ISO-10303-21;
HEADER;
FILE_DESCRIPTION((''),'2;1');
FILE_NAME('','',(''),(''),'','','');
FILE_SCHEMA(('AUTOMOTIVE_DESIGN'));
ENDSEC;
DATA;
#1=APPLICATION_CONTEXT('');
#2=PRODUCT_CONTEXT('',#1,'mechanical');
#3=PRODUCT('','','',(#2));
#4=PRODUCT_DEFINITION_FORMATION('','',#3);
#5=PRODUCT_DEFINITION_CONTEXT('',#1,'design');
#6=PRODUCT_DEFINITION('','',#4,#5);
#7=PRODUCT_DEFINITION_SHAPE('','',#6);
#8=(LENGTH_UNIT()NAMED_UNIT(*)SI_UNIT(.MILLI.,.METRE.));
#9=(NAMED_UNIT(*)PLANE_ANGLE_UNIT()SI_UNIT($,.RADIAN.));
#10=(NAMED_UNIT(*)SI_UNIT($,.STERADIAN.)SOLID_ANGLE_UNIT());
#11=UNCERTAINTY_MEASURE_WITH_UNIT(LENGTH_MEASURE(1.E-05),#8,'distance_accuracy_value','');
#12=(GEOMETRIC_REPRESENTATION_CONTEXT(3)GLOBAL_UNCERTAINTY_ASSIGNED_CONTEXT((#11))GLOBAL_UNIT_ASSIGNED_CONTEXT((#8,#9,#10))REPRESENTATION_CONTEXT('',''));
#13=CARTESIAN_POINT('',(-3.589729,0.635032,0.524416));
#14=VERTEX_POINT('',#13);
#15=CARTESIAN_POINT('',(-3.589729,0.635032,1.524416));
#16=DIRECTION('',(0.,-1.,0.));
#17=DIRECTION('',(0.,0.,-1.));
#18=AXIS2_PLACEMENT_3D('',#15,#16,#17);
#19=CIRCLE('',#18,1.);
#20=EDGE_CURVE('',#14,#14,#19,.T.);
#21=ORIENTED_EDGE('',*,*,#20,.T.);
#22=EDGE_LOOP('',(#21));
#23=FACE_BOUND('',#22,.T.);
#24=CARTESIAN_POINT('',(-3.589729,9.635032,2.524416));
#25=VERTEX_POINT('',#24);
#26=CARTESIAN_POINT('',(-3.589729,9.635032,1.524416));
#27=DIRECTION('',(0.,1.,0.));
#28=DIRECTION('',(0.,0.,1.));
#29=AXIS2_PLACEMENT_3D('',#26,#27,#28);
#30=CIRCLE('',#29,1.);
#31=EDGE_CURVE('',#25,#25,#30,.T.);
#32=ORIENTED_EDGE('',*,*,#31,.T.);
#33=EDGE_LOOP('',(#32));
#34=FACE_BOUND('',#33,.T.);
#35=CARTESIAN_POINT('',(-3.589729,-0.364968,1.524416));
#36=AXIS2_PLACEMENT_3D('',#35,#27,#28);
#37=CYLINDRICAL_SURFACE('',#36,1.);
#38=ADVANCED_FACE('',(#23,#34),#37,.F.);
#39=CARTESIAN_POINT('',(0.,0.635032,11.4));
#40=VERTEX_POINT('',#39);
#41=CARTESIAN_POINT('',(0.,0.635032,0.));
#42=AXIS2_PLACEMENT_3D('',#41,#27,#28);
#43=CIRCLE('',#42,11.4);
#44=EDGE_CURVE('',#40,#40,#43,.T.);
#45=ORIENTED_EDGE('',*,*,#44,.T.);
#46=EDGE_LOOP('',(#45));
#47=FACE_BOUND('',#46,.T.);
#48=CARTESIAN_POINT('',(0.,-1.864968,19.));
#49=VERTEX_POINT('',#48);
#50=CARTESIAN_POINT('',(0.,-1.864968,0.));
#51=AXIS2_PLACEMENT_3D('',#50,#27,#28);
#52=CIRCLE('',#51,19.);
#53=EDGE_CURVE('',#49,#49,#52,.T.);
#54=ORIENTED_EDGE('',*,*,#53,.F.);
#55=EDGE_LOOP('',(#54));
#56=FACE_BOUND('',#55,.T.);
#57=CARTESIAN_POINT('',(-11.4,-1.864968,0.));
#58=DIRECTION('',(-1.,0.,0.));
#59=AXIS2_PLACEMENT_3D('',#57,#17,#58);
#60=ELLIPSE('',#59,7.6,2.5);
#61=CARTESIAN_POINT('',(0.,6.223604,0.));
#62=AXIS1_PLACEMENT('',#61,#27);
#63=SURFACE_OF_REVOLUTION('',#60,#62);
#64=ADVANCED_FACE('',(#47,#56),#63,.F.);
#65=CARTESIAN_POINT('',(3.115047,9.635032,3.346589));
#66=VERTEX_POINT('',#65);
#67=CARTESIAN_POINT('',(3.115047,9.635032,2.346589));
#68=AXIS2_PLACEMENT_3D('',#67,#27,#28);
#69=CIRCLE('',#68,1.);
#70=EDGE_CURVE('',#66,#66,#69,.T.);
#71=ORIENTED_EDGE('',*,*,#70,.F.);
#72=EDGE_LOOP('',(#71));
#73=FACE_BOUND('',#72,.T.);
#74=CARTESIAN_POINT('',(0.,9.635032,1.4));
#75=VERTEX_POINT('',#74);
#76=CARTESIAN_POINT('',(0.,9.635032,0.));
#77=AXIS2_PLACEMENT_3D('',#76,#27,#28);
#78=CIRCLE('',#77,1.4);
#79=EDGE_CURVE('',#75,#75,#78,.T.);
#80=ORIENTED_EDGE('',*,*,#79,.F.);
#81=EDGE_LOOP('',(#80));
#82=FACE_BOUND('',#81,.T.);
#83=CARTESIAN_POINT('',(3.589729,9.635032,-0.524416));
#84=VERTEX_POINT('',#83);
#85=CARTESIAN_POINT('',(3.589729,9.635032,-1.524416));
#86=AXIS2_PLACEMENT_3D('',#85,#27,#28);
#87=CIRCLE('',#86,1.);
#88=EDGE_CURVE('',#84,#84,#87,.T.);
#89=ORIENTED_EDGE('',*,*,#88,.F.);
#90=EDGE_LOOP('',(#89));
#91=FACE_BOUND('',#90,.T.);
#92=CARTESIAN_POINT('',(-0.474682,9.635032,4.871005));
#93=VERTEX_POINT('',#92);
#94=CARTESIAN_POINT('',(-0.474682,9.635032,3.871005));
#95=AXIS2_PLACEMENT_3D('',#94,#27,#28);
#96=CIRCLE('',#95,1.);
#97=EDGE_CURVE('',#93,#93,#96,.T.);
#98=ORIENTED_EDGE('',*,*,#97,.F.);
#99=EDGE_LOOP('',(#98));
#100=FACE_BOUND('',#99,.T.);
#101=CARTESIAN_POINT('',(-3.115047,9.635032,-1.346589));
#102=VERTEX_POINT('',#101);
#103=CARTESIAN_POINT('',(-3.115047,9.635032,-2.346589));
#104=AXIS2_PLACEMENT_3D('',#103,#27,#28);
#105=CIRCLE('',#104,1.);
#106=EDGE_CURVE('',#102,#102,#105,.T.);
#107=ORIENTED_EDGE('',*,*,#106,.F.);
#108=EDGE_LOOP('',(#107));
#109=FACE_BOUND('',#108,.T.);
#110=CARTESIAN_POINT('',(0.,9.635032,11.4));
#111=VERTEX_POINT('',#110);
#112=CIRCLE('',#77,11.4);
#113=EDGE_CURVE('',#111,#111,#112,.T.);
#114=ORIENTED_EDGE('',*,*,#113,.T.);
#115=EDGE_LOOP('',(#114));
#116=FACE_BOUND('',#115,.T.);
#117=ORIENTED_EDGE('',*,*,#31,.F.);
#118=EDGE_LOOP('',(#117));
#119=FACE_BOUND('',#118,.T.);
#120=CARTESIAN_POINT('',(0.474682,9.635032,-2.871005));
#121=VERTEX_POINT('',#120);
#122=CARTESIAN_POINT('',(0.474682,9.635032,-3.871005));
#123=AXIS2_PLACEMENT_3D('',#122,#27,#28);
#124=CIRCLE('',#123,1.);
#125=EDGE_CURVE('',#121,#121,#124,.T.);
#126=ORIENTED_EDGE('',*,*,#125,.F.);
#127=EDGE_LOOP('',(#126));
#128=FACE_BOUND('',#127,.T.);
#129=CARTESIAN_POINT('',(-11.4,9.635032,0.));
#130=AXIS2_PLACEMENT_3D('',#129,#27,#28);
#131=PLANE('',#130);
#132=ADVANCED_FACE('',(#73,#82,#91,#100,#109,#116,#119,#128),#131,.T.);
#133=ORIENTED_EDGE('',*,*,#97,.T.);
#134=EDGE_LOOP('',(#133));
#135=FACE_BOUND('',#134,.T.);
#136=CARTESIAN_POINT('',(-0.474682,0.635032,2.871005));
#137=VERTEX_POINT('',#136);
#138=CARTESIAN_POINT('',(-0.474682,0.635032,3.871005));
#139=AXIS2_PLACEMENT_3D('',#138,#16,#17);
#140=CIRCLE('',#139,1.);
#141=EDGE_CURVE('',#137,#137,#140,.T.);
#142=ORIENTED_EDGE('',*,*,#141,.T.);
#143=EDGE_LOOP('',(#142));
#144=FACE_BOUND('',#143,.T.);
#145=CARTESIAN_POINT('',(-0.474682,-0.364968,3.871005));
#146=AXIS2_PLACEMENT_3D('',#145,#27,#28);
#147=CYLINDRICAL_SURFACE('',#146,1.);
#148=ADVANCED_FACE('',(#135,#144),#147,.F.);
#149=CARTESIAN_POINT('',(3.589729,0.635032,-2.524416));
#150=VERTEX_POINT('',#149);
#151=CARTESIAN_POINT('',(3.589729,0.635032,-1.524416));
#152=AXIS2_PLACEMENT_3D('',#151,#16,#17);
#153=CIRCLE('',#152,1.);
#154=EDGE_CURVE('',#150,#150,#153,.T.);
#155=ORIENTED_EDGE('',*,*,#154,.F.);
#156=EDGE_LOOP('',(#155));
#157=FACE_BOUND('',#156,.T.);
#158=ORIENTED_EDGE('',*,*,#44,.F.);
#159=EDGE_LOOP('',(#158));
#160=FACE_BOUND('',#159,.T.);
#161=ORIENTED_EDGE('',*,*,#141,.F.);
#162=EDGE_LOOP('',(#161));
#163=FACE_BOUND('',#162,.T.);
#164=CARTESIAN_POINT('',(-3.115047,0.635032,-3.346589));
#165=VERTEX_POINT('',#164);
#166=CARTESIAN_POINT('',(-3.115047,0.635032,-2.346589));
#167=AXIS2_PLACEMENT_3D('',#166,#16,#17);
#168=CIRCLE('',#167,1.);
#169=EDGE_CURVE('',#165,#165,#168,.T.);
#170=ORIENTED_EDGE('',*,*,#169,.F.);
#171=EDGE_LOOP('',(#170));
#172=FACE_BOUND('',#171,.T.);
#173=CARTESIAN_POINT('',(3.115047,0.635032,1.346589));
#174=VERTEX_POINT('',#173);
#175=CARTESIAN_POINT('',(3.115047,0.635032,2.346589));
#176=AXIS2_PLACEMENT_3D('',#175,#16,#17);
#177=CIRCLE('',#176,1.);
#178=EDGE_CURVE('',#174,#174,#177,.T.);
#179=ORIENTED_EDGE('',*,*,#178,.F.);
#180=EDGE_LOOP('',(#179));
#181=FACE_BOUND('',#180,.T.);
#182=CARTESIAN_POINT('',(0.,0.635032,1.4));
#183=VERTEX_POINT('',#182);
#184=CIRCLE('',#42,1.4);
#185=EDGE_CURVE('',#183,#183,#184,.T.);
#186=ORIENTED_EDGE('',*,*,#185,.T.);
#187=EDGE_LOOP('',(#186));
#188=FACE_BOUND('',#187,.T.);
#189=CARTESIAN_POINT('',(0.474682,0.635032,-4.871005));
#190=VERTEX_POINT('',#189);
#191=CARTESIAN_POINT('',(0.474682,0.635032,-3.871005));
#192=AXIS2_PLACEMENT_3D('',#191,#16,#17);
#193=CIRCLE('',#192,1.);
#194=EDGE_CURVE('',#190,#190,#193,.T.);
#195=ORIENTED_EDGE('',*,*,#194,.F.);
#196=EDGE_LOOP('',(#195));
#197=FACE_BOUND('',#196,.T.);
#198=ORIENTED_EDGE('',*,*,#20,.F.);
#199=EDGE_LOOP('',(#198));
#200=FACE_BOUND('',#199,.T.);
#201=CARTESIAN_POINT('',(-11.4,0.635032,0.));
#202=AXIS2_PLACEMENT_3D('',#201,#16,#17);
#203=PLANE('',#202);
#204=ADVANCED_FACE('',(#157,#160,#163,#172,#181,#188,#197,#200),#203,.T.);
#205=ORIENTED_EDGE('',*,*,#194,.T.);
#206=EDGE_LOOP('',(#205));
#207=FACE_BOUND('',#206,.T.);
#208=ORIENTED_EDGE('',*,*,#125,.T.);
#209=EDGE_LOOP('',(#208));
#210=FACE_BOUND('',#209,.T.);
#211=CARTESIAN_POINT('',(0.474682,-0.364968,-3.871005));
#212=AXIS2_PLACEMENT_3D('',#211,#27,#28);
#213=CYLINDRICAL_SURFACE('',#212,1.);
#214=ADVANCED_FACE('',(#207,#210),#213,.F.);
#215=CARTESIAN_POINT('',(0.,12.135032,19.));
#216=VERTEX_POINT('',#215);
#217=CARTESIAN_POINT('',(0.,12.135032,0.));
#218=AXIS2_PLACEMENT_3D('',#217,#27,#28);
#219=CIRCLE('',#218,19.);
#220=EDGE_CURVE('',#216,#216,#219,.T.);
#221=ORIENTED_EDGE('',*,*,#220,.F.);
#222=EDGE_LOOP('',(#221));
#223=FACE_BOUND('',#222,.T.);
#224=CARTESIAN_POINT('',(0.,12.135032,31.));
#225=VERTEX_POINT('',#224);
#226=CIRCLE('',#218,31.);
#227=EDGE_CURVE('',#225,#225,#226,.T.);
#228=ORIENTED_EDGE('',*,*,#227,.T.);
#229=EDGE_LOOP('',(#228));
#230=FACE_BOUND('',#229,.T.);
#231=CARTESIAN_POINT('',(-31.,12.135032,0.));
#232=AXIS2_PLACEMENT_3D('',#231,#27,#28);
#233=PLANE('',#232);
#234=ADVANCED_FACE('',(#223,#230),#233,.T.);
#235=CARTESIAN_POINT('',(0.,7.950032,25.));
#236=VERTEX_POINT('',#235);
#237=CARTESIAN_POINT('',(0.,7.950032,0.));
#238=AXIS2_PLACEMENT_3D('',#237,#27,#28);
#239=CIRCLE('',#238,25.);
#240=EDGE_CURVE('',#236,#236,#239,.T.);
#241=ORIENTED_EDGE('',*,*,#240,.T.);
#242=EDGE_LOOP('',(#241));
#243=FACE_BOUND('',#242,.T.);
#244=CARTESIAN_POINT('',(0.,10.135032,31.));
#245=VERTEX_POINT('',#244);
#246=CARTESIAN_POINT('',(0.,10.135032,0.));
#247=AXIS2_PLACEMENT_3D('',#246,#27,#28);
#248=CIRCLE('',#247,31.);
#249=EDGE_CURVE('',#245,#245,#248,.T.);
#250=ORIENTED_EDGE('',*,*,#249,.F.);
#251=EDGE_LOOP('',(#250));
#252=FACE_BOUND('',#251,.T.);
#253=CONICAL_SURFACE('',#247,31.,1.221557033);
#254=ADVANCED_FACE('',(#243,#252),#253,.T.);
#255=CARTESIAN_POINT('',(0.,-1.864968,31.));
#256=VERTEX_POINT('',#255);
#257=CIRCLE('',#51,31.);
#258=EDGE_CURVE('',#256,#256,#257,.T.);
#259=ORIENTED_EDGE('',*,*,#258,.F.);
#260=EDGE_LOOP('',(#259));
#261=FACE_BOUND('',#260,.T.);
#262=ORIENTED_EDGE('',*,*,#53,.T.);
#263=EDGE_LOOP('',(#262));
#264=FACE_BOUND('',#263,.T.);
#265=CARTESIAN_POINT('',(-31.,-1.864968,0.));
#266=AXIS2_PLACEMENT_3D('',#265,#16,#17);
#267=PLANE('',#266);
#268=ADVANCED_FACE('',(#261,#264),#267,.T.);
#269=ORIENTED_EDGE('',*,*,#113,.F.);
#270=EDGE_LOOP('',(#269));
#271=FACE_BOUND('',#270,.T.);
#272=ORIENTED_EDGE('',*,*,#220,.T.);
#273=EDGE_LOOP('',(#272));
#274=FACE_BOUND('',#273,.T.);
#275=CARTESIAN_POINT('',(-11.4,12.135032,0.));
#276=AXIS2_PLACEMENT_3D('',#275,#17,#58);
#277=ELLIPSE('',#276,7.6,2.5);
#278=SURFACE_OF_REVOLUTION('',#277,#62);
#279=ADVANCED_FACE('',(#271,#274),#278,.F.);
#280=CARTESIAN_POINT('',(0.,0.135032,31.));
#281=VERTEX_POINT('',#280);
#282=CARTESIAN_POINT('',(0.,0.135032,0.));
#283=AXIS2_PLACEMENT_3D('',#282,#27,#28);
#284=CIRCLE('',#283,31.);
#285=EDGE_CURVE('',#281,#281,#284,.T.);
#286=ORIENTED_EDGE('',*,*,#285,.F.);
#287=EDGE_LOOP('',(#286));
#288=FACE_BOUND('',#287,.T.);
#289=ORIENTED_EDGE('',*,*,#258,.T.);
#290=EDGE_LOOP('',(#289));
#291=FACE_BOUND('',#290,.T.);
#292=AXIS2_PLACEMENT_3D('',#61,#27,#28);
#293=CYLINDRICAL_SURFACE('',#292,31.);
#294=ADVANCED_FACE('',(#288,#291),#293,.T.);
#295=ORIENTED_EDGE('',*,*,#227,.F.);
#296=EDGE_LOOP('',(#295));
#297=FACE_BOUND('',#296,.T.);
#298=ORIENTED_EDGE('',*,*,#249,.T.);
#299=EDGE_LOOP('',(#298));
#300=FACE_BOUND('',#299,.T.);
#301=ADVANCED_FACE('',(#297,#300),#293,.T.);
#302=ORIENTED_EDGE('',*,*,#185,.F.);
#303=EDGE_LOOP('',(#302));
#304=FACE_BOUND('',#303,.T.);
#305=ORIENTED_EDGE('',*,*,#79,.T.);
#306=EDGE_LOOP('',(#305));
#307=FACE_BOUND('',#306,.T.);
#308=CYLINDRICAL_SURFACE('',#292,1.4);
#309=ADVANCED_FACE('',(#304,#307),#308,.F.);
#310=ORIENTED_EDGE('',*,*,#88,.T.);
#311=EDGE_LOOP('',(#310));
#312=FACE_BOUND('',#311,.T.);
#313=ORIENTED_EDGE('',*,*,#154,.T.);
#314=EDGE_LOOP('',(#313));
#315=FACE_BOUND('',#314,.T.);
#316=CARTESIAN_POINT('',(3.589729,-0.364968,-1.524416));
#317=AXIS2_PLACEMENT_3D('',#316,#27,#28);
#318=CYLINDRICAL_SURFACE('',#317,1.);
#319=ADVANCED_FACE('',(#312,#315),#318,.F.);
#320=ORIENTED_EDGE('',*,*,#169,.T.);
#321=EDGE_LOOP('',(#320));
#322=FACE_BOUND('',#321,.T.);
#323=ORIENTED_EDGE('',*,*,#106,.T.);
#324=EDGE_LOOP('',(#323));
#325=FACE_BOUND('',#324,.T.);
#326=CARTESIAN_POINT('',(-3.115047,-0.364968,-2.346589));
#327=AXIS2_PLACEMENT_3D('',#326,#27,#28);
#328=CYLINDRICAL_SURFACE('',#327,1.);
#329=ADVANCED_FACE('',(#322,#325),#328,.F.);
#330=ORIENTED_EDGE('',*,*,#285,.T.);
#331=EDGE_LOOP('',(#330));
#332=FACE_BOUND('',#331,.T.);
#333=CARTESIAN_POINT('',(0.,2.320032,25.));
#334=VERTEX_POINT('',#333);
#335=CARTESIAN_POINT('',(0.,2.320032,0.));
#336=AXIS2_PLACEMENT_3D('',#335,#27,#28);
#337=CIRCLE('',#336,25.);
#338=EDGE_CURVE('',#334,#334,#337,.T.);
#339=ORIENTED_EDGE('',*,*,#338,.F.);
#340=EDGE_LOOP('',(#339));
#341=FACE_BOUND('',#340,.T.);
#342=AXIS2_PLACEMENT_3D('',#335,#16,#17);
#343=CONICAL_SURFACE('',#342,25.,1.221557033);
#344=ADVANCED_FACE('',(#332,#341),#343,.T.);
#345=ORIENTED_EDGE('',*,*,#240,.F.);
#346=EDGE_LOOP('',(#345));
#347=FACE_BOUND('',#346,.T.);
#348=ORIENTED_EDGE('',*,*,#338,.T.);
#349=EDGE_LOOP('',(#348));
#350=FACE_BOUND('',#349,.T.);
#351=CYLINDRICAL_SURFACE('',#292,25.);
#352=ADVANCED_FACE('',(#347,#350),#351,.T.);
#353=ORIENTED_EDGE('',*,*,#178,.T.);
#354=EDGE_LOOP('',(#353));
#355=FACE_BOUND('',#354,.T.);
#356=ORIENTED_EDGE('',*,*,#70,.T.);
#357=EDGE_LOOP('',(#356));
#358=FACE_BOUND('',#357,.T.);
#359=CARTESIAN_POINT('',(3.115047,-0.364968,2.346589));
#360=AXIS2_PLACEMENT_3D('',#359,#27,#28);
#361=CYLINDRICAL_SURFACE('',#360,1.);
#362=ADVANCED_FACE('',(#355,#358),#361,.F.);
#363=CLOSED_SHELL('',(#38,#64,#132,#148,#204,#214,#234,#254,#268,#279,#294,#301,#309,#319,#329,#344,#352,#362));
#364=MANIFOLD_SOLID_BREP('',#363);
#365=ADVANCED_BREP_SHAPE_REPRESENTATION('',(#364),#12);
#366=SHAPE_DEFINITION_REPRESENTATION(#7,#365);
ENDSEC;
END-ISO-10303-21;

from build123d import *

# Parameters (mm, degrees)
SKETCH3_R          = 1
CUT_EXTRUDE1_DEPTH = 10


with BuildPart() as part:
    # Sketch2 → Revolve1 (revolve)
    with BuildSketch(Plane.XY, mode=Mode.PRIVATE) as revolve1_sk:
        with BuildLine():
            Line((-1.4, 9.635032461), (-1.4, 0.635032461))
            Line((-1.4, 0.635032461), (-11.4, 0.635032461))
            add(Edge.make_bspline(
                [(-11.4, 0.635032461), (-19, 0.635032461), (-19, -1.864967539)],
                knots=[4.71238898, 4.71238898, 4.71238898, 6.283185307, 6.283185307, 6.283185307], degree=2, weights=[1, 0.707106781, 1]))
            Line((-19, -1.864967539), (-31, -1.864967539))
            Line((-31, -1.864967539), (-31, 0.135032461))
            Line((-31, 0.135032461), (-25, 2.320032461))
            Line((-25, 2.320032461), (-25, 7.950032461))
            Line((-25, 7.950032461), (-31, 10.135032461))
            Line((-31, 10.135032461), (-31, 12.135032461))
            Line((-31, 12.135032461), (-19, 12.135032461))
            add(Edge.make_bspline(
                [(-19, 12.135032461), (-19, 9.635032461), (-11.4, 9.635032461)],
                knots=[0, 0, 0, 1.570796327, 1.570796327, 1.570796327], degree=2, weights=[1, 0.707106781, 1]))
            Line((-11.4, 9.635032461), (-1.4, 9.635032461))
        make_face()
    revolve(revolve1_sk.sketch.rotate(Axis((0, 6.223604304, 0), (0, -1, 0)), 270), axis=Axis((0, 6.223604304, 0), (0, -1, 0)))

    # Sketch3 → Cut-Extrude1 (cut)
    with BuildSketch(Plane(origin=(0, 9.635032461, 0), x_dir=(1, 0, 0), z_dir=(0, 1, 0))):
        with Locations(Location((-3.115047488, 2.346588832, 0), (0, 0, 270))):
            Circle(SKETCH3_R)
        with Locations(Location((0.474681797, 3.871004675, 0), (0, 0, 270))):
            Circle(SKETCH3_R)
        with Locations(Location((3.589729285, 1.524415842, 0), (0, 0, 270))):
            Circle(SKETCH3_R)
        with Locations(Location((3.115047488, -2.346588832, 0), (0, 0, 270))):
            Circle(SKETCH3_R)
        with Locations(Location((-0.474681797, -3.871004675, 0), (0, 0, 270))):
            Circle(SKETCH3_R)
        with Locations(Location((-3.589729285, -1.524415842, 0), (0, 0, 270))):
            Circle(SKETCH3_R)
    extrude(amount=-CUT_EXTRUDE1_DEPTH, mode=Mode.SUBTRACT)


solid = part.part
